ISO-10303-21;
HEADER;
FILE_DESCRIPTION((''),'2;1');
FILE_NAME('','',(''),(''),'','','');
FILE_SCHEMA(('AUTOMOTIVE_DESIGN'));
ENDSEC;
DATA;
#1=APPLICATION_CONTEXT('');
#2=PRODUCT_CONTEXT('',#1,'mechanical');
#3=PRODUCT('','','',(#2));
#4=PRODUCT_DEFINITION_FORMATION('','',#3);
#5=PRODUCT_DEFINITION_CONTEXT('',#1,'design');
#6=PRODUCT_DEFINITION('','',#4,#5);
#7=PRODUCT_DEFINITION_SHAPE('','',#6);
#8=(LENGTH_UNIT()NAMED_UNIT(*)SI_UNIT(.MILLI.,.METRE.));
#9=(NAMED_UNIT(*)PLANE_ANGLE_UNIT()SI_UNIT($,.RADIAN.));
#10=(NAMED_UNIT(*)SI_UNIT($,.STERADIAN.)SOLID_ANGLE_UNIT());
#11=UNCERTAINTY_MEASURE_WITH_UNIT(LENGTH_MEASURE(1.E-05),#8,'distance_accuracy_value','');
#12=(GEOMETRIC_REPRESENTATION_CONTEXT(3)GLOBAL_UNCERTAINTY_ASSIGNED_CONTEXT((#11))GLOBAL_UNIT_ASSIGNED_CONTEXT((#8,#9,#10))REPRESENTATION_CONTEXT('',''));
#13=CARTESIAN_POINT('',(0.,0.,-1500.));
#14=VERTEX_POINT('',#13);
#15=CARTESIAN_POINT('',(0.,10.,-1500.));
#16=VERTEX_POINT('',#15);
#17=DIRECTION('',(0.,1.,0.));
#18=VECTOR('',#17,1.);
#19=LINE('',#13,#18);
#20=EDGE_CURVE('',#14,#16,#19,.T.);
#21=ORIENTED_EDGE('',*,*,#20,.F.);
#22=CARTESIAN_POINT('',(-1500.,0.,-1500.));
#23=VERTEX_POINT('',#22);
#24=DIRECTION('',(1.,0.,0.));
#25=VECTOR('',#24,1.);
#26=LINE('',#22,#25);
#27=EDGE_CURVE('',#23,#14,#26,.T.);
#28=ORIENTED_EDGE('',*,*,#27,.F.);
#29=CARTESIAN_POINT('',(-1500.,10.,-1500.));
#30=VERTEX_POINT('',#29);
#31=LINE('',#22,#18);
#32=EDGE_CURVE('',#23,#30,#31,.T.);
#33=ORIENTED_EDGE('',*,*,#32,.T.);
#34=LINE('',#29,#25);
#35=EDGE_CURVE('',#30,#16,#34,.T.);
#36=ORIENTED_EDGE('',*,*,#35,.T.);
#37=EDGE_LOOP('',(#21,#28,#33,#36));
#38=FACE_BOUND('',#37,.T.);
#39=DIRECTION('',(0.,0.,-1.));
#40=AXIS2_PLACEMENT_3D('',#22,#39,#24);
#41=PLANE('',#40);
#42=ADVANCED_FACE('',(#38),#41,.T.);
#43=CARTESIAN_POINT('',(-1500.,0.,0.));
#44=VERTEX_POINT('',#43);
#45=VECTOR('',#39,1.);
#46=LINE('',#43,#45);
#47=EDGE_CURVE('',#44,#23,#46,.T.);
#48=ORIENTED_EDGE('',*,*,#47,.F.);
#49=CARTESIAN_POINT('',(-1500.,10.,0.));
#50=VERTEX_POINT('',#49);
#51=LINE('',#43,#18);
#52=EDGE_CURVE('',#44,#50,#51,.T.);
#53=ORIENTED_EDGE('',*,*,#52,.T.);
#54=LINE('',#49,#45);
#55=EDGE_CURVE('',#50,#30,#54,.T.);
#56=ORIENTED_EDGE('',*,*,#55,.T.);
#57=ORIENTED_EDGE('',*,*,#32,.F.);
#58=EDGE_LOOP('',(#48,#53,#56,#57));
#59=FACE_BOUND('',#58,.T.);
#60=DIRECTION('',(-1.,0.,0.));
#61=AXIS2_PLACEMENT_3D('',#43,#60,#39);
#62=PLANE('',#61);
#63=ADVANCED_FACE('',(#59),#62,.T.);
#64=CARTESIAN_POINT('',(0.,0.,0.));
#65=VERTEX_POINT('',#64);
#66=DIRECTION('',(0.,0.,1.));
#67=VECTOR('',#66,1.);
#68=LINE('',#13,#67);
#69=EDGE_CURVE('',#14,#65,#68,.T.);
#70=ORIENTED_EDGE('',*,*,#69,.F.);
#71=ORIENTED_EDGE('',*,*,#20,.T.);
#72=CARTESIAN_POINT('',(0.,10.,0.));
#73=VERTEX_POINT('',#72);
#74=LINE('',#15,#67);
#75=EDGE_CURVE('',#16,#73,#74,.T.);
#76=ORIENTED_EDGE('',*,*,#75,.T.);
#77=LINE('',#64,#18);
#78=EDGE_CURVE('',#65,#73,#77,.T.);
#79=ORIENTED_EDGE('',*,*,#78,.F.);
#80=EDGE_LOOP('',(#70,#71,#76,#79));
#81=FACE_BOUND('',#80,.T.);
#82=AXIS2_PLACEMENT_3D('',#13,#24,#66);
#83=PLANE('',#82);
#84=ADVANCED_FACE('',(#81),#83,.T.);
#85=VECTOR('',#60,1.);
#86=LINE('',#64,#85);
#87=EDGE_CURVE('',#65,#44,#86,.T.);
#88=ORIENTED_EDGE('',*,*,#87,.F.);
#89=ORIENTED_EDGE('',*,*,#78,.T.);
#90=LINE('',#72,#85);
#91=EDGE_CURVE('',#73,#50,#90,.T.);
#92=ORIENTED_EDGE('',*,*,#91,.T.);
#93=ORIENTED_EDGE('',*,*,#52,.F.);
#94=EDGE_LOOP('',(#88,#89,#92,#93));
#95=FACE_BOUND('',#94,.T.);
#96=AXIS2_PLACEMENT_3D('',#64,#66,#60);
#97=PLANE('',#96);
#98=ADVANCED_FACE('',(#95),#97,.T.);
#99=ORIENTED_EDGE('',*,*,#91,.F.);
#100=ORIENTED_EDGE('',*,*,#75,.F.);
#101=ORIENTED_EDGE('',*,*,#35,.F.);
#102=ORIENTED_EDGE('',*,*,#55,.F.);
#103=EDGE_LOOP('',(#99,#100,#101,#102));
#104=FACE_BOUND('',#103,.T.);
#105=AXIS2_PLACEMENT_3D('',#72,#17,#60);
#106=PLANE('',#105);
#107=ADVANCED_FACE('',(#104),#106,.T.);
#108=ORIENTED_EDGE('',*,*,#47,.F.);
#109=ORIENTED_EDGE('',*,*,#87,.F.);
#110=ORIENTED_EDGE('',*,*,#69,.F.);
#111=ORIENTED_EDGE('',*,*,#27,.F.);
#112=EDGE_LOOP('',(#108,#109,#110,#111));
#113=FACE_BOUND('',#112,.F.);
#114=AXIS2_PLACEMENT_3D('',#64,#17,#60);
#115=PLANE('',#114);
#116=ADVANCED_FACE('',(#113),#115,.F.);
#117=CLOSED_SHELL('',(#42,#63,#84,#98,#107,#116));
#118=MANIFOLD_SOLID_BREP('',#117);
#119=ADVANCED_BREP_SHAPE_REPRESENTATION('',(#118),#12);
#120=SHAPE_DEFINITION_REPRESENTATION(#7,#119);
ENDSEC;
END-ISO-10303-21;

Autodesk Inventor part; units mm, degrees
ref_plane "YZ Plane" through (0, 0, 0) normal (1, 0, 0) x (0, 1, 0)
ref_plane "XZ Plane" through (0, 0, 0) normal (0, 1, 0) x (-1, 0, 0)
ref_plane "XY Plane" through (0, 0, 0) normal (0, 0, 1) x (1, 0, 0)
sketch "Szkic1" plane through (0, 0, 0) normal (0, 1, 0) x (-1, 0, 0)
  line L0 (0, 0) -> (1500, 0)
  line L1 (1500, 0) -> (1500, -1500)
  line L2 (1500, -1500) -> (0, -1500)
  line L3 (0, -1500) -> (0, 0)
  dimension "d0" = 1500
  dimension "d1" = 1500
extrude "Wyciągnięcie proste1" add sketch "Szkic1" along normal blind 10
properties part number "stol"
